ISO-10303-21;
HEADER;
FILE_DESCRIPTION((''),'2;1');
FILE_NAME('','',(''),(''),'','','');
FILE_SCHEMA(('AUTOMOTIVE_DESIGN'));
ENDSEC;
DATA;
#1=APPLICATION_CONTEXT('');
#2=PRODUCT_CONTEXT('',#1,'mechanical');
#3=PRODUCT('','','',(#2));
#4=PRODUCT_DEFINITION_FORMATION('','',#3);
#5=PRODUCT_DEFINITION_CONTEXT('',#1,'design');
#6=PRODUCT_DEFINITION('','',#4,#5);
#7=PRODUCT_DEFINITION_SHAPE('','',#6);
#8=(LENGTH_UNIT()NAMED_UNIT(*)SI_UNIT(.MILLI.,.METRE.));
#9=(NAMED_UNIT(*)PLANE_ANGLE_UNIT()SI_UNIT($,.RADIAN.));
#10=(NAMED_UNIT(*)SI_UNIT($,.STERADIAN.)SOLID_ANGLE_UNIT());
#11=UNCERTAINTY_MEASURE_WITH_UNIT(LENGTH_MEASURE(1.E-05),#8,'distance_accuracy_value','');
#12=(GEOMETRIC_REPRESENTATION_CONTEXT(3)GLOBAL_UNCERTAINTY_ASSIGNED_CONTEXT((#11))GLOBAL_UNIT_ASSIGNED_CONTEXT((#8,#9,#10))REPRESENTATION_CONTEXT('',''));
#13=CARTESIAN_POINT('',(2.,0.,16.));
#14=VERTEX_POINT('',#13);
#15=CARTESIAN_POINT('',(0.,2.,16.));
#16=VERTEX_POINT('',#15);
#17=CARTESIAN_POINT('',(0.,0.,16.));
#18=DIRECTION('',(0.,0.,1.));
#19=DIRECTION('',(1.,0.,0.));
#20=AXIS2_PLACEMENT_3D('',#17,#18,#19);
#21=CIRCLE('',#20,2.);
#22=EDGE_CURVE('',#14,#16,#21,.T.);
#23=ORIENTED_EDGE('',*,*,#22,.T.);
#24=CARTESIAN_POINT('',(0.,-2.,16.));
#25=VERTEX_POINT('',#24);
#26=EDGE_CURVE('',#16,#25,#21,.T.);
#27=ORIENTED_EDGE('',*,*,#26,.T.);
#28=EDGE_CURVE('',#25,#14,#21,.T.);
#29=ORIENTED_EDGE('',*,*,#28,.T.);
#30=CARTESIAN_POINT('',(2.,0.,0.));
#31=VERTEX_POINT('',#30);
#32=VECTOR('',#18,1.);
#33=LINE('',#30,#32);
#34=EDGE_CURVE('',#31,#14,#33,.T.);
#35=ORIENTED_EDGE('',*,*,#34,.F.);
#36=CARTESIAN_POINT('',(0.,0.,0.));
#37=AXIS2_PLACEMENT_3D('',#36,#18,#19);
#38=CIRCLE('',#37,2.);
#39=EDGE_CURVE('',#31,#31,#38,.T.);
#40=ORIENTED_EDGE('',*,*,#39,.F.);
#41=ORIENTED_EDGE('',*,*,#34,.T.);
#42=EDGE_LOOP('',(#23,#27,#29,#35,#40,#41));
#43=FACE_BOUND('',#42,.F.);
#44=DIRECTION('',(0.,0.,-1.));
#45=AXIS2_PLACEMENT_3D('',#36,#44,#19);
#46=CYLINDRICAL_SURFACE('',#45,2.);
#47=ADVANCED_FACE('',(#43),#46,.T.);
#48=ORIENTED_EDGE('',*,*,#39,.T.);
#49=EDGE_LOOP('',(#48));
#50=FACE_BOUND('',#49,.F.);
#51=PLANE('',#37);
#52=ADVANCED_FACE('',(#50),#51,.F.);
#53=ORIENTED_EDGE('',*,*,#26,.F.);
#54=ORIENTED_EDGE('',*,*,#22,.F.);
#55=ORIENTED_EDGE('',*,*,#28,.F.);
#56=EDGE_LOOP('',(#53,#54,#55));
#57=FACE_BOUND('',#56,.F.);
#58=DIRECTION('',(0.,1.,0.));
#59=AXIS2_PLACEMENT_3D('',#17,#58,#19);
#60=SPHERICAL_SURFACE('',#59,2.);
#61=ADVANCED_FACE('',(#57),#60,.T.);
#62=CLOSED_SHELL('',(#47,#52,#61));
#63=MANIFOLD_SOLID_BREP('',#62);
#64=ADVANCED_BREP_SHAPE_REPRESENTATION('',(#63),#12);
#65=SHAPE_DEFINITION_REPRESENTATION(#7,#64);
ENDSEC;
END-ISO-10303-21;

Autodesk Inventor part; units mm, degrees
ref_plane "YZ Plane" through (0, 0, 0) normal (1, 0, 0) x (0, 1, 0)
ref_plane "XZ Plane" through (0, 0, 0) normal (0, 1, 0) x (-1, 0, 0)
ref_plane "XY Plane" through (0, 0, 0) normal (0, 0, 1) x (1, 0, 0)
sketch "Sketch1" plane through (0, 0, 0) normal (0, 0, 1) x (1, 0, 0)
  circle A0 centre (0, 0) radius 2
  dimension "d0" = 4
extrude "Extrusion1" add sketch "Sketch1" along normal blind 16
sketch "Sketch3" plane through (0, 0, 16) normal (0, 0, 1) x (1, 0, 0)
  arc A0 (0, -2) -> (0, 2) centre (0, 0) ccw
  line L0 (0, 2) -> (0, -2)
  dimension "d4" = 4
revolve "Revolution1" add sketch "Sketch3" angle 360 about axis through (0, 2, 16) along (0, -1, 0)
properties part number "polaris_K05_screw"
